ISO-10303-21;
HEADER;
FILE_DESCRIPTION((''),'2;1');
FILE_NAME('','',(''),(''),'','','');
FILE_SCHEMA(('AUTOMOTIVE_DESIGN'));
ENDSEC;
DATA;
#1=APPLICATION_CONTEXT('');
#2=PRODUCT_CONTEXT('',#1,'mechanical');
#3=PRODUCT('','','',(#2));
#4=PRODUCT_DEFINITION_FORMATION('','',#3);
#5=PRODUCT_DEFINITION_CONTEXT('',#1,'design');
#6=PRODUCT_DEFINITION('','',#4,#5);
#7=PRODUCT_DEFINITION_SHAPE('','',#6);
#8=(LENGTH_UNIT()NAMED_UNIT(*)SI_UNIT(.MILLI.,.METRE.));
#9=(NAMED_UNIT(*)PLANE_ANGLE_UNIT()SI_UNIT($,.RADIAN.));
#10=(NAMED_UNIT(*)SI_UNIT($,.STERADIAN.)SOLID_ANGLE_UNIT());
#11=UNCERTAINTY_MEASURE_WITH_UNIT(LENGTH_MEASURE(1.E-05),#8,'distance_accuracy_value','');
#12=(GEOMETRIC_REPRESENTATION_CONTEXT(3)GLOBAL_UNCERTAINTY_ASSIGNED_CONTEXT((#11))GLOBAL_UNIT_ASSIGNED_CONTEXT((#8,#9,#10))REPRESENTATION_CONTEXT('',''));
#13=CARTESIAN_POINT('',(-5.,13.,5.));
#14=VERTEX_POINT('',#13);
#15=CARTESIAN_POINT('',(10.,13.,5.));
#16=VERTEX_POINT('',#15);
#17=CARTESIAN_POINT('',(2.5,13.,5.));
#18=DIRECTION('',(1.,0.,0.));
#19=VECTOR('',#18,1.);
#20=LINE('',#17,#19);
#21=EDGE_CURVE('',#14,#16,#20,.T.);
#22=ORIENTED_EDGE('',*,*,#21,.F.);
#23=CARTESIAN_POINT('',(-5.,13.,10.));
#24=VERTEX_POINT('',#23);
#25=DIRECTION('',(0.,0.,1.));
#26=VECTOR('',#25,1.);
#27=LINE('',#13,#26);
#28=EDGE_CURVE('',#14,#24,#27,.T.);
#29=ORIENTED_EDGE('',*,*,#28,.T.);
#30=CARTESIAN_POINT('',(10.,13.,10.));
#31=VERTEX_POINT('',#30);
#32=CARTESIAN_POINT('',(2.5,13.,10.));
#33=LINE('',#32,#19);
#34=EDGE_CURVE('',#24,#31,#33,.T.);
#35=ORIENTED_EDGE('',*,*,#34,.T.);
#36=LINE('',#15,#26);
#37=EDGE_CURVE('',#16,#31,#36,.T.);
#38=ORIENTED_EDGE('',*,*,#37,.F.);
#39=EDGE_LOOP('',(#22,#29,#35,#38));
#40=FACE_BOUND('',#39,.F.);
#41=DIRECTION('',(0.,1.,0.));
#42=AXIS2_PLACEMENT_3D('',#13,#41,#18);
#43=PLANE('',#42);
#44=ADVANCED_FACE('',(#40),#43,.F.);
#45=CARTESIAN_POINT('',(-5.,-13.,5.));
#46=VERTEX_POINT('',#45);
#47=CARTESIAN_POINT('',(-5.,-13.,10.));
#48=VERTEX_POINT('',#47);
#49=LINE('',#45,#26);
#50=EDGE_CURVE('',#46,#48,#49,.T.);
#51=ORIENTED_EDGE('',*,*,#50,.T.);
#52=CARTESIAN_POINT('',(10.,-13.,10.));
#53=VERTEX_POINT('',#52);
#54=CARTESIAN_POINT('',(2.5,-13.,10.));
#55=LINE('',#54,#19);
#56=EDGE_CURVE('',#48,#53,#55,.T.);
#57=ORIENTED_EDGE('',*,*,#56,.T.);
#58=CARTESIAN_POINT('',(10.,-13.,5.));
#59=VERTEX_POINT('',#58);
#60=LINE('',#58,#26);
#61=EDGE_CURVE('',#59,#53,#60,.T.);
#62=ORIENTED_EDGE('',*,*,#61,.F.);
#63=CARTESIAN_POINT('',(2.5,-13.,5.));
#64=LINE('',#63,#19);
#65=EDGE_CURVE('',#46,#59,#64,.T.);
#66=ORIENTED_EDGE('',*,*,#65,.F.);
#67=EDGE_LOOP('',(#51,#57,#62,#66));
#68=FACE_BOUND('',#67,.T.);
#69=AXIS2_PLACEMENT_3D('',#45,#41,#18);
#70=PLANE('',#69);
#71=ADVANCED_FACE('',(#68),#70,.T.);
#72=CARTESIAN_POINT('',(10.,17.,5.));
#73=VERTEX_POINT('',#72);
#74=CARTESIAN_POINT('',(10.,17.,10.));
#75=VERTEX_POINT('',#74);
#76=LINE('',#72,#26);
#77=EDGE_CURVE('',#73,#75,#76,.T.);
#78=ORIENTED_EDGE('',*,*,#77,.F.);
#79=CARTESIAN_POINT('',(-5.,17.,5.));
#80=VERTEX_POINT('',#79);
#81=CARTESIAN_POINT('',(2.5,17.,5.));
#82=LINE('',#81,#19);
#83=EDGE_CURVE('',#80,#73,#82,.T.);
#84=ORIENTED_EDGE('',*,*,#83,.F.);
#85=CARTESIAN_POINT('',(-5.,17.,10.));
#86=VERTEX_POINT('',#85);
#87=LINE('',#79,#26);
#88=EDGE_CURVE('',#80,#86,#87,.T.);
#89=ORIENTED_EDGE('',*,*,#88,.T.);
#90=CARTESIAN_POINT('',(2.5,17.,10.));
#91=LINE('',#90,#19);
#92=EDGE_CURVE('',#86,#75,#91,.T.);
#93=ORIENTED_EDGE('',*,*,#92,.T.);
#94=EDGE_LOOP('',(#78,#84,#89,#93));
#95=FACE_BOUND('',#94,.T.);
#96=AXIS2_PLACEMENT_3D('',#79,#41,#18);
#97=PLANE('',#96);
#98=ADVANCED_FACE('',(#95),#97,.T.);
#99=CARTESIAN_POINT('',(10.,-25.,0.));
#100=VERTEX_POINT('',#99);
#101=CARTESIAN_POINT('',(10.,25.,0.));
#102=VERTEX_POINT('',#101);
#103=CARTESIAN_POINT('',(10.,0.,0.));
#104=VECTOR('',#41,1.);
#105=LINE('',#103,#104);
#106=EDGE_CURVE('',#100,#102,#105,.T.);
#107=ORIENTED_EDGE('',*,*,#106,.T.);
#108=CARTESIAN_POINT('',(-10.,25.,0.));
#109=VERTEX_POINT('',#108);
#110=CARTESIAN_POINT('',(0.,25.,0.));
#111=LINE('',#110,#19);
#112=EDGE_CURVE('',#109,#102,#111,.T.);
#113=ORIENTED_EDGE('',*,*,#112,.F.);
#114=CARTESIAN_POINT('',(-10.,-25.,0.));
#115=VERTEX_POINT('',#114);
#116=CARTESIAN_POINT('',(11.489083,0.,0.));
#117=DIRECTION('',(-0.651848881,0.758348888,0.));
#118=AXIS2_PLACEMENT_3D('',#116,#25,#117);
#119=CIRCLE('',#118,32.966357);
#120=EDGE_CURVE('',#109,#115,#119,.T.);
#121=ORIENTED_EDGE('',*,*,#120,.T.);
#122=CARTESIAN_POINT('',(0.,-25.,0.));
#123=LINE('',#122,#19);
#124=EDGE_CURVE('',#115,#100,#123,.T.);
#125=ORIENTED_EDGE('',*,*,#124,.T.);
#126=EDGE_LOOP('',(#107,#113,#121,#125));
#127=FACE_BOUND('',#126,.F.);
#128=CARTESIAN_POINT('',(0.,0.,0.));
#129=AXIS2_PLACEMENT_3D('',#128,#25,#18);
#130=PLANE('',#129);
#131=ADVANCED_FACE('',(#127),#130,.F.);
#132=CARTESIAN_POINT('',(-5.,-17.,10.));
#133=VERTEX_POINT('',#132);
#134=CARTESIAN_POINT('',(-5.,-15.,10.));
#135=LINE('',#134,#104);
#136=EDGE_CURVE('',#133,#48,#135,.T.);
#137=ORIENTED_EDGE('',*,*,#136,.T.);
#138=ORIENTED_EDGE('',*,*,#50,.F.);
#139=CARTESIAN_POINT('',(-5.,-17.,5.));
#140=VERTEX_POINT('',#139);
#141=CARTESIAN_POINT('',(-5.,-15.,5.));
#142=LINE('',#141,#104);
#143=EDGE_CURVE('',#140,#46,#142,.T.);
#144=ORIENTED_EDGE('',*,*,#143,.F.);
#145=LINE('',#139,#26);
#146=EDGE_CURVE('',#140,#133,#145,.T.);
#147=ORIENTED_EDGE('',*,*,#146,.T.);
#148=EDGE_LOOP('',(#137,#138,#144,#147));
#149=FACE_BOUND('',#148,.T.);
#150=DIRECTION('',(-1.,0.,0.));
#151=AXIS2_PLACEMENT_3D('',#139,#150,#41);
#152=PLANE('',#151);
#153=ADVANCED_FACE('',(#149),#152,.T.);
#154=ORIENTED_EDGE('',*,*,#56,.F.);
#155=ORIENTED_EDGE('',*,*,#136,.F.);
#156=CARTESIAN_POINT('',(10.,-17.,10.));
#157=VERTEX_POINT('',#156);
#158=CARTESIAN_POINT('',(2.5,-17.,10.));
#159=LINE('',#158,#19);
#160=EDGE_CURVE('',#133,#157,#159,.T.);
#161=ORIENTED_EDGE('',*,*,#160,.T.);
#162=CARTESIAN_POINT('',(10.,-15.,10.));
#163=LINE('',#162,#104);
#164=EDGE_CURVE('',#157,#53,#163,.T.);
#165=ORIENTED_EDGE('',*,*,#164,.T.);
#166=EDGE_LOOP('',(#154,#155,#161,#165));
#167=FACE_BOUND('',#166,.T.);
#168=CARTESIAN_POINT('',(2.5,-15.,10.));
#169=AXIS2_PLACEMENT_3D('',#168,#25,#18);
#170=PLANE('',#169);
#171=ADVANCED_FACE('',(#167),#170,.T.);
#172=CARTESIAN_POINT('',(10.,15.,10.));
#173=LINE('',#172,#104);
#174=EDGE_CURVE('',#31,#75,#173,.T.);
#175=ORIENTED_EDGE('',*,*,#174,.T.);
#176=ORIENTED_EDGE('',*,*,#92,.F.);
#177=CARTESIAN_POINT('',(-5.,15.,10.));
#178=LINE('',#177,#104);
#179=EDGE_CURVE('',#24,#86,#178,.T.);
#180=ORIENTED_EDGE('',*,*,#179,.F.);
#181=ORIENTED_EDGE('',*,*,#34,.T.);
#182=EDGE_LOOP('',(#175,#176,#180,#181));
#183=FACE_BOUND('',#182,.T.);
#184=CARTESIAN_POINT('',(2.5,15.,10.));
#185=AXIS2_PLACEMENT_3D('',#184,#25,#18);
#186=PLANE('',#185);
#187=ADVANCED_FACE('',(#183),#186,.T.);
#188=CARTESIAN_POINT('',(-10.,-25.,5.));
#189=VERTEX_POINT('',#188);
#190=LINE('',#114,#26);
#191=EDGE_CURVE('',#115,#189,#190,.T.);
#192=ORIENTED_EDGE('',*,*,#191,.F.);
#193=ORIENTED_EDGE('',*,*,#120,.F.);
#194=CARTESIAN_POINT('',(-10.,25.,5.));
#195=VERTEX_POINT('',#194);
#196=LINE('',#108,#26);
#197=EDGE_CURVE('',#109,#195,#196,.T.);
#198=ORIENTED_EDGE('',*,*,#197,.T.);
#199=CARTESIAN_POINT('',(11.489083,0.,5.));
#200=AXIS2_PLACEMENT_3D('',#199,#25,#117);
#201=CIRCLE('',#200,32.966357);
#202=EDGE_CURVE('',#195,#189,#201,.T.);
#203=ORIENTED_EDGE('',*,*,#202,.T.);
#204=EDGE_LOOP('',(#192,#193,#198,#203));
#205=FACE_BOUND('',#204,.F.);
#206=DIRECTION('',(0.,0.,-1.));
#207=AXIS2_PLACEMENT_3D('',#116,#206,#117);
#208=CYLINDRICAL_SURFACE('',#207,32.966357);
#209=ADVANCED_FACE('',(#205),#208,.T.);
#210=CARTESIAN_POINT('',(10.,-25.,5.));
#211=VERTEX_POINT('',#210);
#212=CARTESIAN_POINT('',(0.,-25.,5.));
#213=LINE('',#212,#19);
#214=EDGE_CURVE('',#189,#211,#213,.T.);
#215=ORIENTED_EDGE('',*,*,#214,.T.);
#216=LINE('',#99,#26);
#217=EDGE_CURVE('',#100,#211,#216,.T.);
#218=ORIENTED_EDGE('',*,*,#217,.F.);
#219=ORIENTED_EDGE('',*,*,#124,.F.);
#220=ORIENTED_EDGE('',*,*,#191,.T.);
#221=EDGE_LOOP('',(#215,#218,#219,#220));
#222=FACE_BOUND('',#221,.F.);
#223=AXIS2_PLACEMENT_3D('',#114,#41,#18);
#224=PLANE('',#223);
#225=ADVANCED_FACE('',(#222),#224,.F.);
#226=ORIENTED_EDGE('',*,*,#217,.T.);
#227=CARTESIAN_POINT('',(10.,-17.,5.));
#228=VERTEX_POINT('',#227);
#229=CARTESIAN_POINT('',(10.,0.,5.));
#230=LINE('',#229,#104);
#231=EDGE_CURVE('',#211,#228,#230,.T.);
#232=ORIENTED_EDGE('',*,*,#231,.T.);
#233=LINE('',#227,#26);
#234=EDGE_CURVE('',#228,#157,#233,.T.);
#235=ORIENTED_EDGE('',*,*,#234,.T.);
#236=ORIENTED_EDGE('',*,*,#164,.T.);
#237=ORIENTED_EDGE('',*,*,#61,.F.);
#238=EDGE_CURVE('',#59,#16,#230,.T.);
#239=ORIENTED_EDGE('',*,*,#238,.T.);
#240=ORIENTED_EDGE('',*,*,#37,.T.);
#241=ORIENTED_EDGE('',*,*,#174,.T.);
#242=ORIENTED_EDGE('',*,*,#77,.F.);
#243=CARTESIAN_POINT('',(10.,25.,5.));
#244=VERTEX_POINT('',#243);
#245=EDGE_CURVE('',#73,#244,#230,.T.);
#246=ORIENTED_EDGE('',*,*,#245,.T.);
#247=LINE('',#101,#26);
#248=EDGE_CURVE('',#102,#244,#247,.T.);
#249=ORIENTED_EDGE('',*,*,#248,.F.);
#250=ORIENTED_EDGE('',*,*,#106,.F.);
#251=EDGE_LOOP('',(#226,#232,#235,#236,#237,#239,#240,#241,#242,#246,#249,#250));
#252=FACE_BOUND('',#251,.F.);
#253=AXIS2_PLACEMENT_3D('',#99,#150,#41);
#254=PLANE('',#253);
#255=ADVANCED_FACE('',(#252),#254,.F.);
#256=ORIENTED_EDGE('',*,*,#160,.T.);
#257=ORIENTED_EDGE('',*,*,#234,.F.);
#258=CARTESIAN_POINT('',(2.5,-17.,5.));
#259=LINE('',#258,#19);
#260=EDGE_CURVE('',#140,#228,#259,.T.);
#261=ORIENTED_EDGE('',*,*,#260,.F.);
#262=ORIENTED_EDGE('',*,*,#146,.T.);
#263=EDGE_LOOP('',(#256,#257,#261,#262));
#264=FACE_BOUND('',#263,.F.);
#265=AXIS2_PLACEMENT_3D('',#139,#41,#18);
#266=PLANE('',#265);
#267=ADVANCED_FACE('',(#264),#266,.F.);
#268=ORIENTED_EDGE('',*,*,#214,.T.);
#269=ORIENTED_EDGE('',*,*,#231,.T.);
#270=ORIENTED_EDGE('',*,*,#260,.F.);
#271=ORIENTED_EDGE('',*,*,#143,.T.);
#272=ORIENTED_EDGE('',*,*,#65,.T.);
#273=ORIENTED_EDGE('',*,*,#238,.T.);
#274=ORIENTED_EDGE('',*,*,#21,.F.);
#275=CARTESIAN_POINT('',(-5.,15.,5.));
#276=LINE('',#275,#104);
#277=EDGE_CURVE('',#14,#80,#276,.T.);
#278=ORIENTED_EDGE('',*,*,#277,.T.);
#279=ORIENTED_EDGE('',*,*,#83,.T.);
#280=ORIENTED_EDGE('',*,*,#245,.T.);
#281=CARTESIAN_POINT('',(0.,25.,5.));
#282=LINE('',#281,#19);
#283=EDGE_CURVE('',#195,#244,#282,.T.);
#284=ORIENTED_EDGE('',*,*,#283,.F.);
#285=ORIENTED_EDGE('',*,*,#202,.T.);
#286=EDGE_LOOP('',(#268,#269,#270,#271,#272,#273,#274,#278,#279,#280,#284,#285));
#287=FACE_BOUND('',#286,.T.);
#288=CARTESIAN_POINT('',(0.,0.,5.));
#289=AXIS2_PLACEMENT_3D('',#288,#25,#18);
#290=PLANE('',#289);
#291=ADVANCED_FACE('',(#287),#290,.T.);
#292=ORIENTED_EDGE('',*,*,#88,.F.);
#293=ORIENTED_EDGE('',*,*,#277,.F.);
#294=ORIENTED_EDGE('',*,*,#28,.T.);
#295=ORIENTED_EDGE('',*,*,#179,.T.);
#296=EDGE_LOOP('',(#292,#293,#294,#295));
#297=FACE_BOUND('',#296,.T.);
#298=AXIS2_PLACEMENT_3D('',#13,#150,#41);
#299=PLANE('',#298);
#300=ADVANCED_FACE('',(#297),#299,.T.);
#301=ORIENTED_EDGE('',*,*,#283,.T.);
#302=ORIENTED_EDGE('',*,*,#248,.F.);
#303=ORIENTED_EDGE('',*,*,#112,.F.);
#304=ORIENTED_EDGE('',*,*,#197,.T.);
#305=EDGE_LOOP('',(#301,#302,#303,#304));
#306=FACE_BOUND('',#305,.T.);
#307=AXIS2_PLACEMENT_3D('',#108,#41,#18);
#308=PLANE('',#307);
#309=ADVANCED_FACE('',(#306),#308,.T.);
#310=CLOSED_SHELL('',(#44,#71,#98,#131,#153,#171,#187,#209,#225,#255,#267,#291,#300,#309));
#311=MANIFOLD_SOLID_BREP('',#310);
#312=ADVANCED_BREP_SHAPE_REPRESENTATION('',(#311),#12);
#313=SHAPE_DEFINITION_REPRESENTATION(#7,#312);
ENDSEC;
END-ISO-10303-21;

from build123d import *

# Parameters (mm, degrees)
F0_W     = 20
F0_H     = 50
F1_DEPTH = 5
F2_W     = 15
F2_H     = 4
F3_DEPTH = 5


with BuildPart() as f1:
    # F0 (on Top) → F1 (new body)
    with BuildSketch(Plane.XY):
        Rectangle(F0_W, F0_H)
        with BuildLine():
            ThreePointArc((-10, 25), (-21.477274, 0), (-10, -25))
            Line((-10, -25), (-10, 25))
        make_face()
    extrude(amount=F1_DEPTH)

    # F2 (on face) → F3 (join)
    with BuildSketch(Plane.XY.offset(5)):
        with Locations((2.5, 15)):
            Rectangle(F2_W, F2_H)
        with Locations((2.5, -15)):
            Rectangle(F2_W, F2_H)
    extrude(amount=F3_DEPTH)


solid = f1.part
